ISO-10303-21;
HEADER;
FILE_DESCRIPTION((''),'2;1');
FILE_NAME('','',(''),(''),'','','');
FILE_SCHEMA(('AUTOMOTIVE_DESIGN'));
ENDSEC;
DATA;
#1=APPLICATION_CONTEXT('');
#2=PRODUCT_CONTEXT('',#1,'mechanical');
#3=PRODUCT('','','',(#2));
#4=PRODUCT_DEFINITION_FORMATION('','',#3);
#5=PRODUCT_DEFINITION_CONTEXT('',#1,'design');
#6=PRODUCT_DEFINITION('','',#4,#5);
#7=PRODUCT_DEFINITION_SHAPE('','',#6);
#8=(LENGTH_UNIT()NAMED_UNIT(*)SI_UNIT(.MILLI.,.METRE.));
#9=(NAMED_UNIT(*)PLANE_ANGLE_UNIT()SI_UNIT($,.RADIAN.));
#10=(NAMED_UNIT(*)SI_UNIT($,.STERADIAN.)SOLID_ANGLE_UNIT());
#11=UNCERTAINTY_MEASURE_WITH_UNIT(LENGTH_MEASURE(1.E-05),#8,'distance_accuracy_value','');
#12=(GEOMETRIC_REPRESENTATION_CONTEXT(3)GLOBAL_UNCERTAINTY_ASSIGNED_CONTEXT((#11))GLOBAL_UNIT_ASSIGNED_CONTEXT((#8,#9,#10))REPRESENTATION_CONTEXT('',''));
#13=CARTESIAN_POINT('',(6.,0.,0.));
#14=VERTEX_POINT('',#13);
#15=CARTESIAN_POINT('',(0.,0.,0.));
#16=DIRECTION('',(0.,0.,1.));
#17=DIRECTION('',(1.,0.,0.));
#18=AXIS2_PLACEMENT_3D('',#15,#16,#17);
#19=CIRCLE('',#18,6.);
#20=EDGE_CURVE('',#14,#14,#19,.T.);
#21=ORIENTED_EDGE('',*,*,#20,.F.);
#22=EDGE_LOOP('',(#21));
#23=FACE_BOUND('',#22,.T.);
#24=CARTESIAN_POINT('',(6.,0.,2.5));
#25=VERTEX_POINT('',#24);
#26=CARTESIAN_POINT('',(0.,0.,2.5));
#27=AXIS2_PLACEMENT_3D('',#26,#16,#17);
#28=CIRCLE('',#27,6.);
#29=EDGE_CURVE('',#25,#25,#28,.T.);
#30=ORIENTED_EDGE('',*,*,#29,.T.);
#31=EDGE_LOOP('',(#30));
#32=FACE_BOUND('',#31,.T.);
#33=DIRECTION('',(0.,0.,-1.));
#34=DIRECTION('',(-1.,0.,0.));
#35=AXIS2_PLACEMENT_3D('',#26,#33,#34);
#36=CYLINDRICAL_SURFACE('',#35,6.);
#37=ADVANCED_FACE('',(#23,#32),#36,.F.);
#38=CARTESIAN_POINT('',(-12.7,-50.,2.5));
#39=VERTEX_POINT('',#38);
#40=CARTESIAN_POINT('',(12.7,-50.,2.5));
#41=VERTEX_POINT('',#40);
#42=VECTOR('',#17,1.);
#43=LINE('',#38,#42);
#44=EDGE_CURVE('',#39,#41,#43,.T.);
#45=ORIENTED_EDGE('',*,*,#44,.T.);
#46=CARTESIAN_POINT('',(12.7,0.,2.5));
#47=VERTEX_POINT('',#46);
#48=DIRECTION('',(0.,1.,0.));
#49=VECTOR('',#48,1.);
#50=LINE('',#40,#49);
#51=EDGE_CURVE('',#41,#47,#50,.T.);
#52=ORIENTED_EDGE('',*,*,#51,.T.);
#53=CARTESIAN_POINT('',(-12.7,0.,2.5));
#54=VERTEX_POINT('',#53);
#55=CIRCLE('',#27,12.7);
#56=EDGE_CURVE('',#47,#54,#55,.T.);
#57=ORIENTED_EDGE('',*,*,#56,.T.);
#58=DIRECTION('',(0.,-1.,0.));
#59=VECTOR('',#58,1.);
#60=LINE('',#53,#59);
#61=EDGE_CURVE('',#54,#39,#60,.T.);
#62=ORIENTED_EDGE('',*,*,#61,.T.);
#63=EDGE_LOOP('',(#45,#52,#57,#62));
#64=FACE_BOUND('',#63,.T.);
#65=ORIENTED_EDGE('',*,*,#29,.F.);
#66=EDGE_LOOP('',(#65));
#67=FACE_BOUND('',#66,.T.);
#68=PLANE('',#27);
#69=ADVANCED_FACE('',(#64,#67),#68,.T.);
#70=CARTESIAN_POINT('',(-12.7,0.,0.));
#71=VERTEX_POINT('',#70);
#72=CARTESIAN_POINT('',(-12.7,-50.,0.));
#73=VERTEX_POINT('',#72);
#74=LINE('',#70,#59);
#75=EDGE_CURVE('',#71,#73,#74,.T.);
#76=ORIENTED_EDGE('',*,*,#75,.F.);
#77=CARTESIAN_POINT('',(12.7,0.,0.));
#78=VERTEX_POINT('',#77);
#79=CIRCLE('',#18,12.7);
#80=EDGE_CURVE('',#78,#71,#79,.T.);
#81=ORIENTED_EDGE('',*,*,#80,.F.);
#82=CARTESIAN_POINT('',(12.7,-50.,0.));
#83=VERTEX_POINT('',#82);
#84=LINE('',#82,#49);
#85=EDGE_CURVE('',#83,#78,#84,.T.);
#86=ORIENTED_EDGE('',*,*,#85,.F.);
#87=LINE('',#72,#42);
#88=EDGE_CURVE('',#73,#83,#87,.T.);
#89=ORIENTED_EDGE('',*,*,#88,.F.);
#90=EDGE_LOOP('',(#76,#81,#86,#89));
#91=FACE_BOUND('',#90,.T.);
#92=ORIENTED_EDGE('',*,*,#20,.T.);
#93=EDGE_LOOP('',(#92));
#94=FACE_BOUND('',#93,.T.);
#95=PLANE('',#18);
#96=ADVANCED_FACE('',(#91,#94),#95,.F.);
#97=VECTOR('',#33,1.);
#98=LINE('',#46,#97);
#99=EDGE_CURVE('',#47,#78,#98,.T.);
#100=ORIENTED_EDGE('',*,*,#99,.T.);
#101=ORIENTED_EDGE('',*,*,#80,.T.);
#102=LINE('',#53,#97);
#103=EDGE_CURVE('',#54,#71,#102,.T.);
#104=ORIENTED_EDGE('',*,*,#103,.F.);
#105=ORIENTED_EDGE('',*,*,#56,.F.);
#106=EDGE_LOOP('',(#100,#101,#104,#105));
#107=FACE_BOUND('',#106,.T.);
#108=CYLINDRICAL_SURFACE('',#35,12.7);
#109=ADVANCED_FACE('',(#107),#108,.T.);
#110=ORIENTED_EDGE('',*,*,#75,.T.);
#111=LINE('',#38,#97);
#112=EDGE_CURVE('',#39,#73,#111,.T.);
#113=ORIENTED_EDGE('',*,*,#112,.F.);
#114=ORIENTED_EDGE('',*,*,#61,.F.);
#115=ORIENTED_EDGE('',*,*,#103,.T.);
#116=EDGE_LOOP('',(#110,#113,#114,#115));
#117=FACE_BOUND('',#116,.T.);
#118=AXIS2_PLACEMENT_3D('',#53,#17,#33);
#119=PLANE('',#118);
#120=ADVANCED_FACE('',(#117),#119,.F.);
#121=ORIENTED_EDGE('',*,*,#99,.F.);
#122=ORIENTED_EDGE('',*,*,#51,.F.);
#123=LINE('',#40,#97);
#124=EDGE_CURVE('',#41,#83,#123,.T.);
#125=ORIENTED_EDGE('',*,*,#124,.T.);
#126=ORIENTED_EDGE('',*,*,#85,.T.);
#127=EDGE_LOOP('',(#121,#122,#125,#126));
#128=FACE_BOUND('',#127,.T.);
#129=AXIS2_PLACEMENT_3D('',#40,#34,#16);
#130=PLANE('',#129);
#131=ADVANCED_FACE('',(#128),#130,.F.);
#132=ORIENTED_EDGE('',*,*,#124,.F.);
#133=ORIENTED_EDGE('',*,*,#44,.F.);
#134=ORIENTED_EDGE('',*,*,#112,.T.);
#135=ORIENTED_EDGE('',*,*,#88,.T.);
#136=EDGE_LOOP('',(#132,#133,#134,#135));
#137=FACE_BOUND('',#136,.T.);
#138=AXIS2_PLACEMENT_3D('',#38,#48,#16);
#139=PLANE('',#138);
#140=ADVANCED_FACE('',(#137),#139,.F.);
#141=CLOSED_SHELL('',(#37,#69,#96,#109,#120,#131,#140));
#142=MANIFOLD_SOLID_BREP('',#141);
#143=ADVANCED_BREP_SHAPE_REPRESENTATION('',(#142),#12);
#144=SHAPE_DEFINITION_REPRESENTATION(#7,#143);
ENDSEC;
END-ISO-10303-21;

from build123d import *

# Parameters (mm, degrees)
SKETCH1_R           = 6
BOSS_EXTRUDE1_DEPTH = 2.5


with BuildPart() as part:
    # Sketch1 → Boss-Extrude1 (new body)
    with BuildSketch(Plane.XY):
        with BuildLine():
            Line((-12.7, 0), (-12.7, -50))
            Line((-12.7, -50), (12.7, -50))
            Line((12.7, -50), (12.7, 0))
            ThreePointArc((12.7, 0), (0, 12.7), (-12.7, 0))
        make_face()
        Circle(SKETCH1_R, mode=Mode.SUBTRACT)
    extrude(amount=BOSS_EXTRUDE1_DEPTH)


solid = part.part
